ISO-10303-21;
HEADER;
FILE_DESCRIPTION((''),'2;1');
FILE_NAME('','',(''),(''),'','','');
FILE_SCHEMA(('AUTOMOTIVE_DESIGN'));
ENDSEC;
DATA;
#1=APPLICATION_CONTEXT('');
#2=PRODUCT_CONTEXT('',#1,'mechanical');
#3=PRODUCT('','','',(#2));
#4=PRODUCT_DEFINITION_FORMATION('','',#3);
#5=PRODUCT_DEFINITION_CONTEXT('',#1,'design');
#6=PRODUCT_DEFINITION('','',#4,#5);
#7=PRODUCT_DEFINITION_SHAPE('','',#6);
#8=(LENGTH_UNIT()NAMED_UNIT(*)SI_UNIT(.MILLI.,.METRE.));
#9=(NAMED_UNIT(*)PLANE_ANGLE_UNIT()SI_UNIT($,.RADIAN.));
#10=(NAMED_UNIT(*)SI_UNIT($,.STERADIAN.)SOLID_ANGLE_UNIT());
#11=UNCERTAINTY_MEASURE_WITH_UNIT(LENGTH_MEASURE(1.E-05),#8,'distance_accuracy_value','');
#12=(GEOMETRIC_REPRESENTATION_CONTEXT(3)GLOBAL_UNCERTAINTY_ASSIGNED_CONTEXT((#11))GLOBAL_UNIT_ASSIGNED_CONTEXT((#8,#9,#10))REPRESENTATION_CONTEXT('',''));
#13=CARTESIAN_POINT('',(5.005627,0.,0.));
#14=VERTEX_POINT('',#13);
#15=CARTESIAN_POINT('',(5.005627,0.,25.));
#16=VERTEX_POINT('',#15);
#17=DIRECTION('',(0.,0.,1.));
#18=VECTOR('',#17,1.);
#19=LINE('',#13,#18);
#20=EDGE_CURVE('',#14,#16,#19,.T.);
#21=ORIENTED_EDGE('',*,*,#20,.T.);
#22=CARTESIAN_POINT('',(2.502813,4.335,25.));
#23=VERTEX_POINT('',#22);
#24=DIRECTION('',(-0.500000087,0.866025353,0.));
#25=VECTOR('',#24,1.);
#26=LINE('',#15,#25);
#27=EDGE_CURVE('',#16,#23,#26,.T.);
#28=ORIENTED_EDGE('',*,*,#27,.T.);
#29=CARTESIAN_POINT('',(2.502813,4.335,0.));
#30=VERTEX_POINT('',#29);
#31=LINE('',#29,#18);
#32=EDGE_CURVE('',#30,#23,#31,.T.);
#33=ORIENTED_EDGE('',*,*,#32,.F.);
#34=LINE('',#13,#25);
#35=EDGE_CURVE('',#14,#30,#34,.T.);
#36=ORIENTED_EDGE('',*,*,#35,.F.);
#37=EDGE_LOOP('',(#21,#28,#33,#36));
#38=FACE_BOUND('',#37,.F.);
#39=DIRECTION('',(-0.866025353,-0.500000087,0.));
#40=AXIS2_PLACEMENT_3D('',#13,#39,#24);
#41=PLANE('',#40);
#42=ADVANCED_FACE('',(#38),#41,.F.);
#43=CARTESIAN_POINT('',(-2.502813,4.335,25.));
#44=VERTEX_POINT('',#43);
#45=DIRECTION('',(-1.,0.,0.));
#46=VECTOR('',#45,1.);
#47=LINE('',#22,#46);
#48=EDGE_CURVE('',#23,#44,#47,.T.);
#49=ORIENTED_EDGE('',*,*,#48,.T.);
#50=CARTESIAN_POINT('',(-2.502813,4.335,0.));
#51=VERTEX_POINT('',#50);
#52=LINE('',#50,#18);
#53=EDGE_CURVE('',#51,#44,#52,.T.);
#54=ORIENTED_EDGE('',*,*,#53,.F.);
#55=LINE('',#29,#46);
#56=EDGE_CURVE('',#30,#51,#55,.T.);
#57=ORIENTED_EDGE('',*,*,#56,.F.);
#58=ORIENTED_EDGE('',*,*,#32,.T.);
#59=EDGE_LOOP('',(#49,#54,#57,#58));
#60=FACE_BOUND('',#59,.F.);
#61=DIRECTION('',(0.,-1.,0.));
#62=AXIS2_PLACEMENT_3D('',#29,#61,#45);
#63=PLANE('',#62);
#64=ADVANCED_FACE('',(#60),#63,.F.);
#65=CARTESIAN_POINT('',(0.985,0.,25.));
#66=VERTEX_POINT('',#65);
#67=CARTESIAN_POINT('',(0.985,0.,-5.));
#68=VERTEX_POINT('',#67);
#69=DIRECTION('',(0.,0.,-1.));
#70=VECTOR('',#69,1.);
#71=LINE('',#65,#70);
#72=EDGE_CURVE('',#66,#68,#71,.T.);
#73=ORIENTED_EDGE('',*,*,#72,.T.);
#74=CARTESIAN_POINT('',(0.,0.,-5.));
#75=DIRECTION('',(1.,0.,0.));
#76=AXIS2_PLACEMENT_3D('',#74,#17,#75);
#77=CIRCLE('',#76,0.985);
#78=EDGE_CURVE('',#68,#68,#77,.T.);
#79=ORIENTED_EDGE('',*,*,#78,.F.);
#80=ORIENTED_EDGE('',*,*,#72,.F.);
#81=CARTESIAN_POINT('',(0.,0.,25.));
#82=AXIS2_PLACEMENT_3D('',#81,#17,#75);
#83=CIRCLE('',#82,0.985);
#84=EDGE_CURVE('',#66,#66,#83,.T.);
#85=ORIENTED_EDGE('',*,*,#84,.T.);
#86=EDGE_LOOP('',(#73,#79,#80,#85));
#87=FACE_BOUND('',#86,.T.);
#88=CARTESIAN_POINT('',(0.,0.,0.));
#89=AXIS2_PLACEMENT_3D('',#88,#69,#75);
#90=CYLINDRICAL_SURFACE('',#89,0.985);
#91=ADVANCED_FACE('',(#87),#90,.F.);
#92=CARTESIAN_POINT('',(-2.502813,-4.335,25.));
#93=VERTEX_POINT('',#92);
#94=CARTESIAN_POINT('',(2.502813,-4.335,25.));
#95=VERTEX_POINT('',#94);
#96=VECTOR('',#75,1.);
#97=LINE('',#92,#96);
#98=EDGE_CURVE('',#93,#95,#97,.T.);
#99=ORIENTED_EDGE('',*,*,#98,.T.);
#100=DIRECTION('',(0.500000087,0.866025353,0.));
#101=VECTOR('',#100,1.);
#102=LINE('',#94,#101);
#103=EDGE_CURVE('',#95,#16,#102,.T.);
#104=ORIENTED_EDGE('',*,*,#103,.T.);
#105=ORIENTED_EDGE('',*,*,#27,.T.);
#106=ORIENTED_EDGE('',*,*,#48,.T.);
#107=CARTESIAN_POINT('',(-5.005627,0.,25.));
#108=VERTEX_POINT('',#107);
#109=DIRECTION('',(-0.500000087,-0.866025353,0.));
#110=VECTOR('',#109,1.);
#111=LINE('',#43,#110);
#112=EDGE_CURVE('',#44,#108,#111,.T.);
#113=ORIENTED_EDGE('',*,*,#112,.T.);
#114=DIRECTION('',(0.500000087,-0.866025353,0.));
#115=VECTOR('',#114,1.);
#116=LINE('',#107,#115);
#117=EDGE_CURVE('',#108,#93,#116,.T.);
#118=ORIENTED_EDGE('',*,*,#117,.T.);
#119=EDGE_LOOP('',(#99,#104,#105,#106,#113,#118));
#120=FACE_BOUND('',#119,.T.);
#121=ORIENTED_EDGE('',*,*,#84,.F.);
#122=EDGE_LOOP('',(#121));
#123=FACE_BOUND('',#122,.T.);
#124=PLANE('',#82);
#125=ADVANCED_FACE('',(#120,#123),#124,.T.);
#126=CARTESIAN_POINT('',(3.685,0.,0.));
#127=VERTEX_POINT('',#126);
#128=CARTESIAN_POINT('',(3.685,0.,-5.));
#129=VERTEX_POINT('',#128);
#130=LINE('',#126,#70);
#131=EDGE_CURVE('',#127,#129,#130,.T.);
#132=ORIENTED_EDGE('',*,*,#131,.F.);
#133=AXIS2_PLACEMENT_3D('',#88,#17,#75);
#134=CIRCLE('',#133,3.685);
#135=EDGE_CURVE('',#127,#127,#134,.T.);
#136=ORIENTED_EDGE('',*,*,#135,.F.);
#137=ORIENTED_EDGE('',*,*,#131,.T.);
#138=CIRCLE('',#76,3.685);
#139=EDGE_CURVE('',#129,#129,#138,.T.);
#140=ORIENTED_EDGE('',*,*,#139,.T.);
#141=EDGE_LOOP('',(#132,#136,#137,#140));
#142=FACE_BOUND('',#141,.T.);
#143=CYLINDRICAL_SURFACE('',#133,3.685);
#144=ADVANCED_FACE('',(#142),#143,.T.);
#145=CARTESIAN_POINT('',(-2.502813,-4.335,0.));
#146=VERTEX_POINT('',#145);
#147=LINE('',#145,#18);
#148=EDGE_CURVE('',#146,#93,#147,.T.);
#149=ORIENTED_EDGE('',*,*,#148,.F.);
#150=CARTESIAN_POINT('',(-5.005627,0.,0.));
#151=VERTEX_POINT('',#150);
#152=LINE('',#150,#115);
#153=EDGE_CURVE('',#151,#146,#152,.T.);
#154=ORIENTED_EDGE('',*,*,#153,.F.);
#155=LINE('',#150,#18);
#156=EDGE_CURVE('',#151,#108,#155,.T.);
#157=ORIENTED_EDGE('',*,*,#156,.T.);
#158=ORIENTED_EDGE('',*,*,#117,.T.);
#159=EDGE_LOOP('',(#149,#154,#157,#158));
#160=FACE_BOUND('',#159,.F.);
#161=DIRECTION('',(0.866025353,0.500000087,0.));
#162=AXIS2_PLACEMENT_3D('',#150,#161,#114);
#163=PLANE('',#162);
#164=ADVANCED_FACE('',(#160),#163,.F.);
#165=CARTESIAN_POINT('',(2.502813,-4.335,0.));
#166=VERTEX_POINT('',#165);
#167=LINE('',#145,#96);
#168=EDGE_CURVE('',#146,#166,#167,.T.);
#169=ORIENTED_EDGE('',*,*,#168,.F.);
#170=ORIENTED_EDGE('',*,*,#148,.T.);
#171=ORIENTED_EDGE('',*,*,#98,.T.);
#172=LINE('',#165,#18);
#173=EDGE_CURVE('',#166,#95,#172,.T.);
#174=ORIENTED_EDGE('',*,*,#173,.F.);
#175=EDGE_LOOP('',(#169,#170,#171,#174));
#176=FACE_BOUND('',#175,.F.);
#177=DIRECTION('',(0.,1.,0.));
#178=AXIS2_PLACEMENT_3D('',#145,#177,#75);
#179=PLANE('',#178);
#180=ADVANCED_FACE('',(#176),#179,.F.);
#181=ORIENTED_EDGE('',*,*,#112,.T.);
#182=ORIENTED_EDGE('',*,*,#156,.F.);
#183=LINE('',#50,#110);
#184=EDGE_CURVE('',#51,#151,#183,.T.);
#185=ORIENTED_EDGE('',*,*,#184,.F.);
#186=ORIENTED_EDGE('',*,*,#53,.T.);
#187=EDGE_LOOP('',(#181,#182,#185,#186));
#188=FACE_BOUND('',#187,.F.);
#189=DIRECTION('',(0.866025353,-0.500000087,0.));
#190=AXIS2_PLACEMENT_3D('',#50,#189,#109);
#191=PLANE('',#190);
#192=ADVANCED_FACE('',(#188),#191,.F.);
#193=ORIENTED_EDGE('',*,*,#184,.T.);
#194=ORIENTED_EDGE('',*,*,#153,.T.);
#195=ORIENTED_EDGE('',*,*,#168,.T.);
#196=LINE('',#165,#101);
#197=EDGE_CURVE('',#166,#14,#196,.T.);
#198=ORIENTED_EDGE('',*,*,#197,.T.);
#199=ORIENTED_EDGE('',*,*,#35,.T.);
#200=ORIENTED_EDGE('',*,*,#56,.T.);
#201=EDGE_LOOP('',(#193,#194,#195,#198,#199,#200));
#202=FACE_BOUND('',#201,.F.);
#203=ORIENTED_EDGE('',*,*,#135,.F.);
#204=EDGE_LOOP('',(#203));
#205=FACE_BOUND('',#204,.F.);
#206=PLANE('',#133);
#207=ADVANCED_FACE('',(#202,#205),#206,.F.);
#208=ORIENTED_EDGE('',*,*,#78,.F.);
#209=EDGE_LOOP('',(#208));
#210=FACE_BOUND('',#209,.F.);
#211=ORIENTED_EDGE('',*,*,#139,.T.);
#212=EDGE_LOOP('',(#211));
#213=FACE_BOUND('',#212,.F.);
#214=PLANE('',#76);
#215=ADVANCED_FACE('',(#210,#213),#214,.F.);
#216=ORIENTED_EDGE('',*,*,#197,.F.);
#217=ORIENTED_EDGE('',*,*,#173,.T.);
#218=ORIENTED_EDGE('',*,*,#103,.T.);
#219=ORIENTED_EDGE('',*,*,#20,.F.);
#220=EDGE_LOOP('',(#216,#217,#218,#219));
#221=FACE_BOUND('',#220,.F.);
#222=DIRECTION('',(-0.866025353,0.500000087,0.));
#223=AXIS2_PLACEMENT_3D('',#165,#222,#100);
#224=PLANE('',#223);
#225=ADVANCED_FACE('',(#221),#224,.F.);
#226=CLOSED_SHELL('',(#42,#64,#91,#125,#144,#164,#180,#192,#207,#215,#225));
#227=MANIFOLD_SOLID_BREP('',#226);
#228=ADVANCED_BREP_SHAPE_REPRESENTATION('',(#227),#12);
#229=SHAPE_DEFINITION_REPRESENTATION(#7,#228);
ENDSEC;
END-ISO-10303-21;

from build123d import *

# Parameters (mm, degrees)
F0_R        = 3.685
F0_R_2      = 0.985
F1_DEPTH    = 5
F1_FACE_R   = 3.685
F1_FACE_R_2 = 0.985
F2_DEPTH    = 25


with BuildPart() as f1:
    # F0 (on Top) → F1 (new body)
    with BuildSketch(Plane.XY):
        Circle(F0_R)
        Circle(F0_R_2, mode=Mode.SUBTRACT)
    extrude(amount=-F1_DEPTH)

    # F0 (on Top) + F1_face (on face) → F2 (join)
    with BuildSketch(Plane.XY):
        Polygon((2.502813, -4.335), (5.005627, 0), (2.502813, 4.335), (-2.502813, 4.335), (-5.005627, 0), (-2.502813, -4.335), align=None)
        Circle(F0_R, mode=Mode.SUBTRACT)
    with BuildSketch(Plane.XY):
        Circle(F1_FACE_R)
        Circle(F1_FACE_R_2, mode=Mode.SUBTRACT)
    extrude(amount=F2_DEPTH)


solid = f1.part
